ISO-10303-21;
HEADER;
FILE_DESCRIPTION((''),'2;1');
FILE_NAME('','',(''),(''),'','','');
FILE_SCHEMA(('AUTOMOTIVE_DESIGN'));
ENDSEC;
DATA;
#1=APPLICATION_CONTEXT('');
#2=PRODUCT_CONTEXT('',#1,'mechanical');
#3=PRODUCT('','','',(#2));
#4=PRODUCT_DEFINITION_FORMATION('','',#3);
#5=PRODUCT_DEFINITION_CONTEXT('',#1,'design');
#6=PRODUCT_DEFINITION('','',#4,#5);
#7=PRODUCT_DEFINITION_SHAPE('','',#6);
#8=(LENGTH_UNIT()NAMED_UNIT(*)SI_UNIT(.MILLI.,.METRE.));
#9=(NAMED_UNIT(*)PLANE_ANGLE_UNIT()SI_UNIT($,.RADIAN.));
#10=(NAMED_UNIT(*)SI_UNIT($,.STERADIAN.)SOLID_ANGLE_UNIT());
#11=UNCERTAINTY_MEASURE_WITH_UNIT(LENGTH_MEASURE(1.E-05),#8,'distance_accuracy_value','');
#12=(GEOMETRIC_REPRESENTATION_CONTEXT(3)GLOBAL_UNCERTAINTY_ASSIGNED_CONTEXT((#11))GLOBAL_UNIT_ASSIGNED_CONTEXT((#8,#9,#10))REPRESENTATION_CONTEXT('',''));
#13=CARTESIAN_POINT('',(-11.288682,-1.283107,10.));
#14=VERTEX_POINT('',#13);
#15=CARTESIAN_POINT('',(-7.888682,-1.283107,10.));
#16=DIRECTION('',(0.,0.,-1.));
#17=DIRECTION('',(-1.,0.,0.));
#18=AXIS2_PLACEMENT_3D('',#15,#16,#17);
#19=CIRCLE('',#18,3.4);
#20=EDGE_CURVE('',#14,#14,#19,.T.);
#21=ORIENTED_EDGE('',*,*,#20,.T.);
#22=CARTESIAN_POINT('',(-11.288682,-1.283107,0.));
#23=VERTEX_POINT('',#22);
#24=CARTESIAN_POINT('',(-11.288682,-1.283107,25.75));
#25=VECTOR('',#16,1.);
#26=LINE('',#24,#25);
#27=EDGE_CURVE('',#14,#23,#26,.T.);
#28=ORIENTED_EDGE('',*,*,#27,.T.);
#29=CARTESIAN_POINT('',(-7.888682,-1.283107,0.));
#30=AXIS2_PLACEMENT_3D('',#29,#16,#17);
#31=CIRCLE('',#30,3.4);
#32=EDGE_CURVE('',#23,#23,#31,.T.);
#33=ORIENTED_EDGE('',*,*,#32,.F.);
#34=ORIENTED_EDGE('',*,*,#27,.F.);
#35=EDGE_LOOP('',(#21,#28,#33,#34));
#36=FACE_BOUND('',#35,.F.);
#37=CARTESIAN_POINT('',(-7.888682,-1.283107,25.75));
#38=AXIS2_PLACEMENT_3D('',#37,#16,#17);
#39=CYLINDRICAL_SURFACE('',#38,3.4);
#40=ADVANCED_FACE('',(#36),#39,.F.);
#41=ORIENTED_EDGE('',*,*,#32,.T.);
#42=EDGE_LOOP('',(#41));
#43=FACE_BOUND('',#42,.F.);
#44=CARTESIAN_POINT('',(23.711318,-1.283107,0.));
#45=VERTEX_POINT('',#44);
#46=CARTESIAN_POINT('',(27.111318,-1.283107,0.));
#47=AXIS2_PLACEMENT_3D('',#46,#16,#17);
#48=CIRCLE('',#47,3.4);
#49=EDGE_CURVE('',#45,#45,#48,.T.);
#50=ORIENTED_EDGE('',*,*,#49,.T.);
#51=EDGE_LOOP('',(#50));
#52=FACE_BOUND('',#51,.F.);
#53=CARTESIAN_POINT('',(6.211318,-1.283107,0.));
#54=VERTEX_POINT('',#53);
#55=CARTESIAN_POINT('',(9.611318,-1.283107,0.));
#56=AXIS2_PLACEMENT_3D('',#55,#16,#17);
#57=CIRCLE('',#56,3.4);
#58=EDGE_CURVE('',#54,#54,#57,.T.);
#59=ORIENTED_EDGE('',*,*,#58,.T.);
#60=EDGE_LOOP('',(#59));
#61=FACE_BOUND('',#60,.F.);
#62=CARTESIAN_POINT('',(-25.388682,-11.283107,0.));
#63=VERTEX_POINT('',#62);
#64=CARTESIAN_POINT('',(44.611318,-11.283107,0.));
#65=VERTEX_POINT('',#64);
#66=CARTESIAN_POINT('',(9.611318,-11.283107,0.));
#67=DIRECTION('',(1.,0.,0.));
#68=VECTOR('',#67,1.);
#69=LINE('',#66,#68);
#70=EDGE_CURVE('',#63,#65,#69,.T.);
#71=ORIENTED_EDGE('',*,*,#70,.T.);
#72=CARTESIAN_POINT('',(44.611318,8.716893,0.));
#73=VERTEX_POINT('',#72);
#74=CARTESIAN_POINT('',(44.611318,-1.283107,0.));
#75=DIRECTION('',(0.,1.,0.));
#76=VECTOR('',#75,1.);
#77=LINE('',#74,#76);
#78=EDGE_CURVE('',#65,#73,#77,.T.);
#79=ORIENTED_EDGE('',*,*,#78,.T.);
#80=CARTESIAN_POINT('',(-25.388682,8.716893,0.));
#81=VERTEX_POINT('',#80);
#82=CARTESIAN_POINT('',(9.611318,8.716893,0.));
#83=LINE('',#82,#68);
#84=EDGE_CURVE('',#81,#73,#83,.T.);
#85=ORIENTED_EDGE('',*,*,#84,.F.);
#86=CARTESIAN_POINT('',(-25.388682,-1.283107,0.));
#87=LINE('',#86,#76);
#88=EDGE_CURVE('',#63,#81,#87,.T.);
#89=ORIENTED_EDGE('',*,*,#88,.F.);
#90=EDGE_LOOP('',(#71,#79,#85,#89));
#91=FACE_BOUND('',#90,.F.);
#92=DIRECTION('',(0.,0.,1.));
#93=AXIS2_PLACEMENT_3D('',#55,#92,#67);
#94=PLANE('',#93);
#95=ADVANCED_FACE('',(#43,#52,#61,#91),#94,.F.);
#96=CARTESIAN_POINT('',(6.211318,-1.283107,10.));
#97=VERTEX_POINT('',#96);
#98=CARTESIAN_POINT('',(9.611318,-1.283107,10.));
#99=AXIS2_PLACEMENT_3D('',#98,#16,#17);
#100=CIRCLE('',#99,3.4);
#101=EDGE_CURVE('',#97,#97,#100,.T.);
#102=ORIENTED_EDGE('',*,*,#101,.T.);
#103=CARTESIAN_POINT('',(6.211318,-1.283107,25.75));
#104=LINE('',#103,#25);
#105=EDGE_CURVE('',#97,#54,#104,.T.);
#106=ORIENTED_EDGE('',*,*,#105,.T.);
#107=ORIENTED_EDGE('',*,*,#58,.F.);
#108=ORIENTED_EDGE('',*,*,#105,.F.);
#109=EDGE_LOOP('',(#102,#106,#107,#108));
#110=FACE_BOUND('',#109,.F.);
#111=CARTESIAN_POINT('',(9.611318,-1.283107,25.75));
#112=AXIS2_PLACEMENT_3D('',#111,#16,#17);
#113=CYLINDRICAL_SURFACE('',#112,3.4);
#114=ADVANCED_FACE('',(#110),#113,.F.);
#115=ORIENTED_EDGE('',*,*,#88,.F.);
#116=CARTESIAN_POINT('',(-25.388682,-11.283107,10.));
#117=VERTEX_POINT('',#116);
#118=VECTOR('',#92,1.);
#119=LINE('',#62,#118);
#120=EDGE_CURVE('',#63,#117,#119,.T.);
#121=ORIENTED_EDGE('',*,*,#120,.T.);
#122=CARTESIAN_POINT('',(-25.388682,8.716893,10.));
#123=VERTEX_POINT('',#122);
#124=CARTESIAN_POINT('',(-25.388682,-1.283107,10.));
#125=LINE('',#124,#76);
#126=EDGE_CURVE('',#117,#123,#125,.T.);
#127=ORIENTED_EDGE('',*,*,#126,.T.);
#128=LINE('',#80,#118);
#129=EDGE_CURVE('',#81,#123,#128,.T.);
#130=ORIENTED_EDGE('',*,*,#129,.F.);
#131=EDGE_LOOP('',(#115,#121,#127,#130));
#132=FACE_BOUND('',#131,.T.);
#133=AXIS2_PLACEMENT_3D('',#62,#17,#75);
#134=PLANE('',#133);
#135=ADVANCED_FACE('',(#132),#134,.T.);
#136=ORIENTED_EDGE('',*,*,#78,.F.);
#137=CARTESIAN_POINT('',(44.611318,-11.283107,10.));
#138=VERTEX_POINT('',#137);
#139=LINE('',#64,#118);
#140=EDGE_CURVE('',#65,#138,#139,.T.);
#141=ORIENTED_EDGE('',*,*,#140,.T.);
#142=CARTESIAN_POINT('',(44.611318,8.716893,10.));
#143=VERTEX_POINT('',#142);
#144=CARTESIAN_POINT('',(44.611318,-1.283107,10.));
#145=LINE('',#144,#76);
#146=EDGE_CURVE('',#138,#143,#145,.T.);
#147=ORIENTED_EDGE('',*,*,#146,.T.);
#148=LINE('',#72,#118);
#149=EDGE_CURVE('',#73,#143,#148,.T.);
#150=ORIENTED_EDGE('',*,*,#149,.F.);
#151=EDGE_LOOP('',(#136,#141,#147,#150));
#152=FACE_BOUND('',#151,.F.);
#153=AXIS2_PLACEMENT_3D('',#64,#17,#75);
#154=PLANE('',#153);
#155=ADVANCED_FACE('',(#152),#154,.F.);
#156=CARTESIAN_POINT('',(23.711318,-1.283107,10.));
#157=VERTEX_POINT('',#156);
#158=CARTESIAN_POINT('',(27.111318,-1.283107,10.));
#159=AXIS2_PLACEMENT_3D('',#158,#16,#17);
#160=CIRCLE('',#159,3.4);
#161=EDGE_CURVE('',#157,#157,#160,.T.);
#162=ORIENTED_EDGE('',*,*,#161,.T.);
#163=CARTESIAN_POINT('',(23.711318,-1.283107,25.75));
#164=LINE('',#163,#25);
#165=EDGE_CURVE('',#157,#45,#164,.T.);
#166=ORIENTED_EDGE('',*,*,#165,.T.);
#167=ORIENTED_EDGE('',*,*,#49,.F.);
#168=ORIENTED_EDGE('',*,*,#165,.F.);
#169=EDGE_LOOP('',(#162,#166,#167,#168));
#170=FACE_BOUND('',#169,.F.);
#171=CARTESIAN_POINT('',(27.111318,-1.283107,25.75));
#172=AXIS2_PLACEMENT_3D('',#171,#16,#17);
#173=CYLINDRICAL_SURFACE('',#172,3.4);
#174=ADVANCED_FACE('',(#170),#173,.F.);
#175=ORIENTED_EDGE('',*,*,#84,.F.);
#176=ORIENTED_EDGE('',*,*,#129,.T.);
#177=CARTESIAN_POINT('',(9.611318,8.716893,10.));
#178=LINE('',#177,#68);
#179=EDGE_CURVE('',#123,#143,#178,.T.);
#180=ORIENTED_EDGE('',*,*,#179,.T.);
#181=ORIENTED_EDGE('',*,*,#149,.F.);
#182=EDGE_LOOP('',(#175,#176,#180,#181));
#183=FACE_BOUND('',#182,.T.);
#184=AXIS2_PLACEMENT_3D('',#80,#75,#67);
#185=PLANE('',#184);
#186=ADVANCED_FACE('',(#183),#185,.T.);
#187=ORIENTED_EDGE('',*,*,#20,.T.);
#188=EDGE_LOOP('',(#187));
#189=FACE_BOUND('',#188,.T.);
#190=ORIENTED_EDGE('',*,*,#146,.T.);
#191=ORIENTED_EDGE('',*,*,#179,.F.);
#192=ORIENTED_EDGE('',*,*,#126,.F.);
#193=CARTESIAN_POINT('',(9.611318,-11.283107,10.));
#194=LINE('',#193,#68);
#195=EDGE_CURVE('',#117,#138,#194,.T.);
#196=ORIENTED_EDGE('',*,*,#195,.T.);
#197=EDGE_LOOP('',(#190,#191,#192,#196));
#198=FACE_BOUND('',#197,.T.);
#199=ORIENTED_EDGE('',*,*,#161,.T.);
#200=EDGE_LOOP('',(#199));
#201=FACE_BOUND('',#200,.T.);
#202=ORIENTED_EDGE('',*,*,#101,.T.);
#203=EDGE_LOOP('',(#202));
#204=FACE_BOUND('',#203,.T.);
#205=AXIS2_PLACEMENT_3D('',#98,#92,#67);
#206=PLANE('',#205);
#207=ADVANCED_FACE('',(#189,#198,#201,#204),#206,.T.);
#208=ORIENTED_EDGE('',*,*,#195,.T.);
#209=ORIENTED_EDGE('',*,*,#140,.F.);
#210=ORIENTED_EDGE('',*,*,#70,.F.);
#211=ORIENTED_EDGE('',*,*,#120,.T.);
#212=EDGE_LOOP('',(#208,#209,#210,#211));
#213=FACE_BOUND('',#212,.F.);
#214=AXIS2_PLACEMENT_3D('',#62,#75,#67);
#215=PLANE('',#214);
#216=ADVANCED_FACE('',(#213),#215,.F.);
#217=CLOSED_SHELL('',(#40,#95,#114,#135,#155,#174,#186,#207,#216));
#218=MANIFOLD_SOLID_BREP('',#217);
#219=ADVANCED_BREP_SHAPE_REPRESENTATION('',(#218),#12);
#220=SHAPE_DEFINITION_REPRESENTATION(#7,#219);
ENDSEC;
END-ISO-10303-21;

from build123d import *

# Parameters (mm, degrees)
F0_W     = 70
F0_H     = 20
F1_DEPTH = 10
F3_D     = 6.8
F3_DEPTH = 15.75
F3_TIP   = 2.0429261047


with BuildPart() as f1:
    # F0 (on Top) → F1 (new body)
    with BuildSketch(Plane.XY):
        with Locations((9.6113178879, -1.2831067624)):
            Rectangle(F0_W, F0_H)
    extrude(amount=F1_DEPTH)

    # F3
    with Locations(Plane.XY.offset(10)):
        with Locations((27.1113178879, -1.2831067624), (9.6113178879, -1.2831067624), (-7.8886821121, -1.2831067624)):
            Hole(F3_D / 2, depth=F3_DEPTH)
            with Locations((0, 0, -(F3_DEPTH + F3_TIP / 2))):  # 118° drill point
                Cone(0, F3_D / 2, F3_TIP, mode=Mode.SUBTRACT)


solid = f1.part
